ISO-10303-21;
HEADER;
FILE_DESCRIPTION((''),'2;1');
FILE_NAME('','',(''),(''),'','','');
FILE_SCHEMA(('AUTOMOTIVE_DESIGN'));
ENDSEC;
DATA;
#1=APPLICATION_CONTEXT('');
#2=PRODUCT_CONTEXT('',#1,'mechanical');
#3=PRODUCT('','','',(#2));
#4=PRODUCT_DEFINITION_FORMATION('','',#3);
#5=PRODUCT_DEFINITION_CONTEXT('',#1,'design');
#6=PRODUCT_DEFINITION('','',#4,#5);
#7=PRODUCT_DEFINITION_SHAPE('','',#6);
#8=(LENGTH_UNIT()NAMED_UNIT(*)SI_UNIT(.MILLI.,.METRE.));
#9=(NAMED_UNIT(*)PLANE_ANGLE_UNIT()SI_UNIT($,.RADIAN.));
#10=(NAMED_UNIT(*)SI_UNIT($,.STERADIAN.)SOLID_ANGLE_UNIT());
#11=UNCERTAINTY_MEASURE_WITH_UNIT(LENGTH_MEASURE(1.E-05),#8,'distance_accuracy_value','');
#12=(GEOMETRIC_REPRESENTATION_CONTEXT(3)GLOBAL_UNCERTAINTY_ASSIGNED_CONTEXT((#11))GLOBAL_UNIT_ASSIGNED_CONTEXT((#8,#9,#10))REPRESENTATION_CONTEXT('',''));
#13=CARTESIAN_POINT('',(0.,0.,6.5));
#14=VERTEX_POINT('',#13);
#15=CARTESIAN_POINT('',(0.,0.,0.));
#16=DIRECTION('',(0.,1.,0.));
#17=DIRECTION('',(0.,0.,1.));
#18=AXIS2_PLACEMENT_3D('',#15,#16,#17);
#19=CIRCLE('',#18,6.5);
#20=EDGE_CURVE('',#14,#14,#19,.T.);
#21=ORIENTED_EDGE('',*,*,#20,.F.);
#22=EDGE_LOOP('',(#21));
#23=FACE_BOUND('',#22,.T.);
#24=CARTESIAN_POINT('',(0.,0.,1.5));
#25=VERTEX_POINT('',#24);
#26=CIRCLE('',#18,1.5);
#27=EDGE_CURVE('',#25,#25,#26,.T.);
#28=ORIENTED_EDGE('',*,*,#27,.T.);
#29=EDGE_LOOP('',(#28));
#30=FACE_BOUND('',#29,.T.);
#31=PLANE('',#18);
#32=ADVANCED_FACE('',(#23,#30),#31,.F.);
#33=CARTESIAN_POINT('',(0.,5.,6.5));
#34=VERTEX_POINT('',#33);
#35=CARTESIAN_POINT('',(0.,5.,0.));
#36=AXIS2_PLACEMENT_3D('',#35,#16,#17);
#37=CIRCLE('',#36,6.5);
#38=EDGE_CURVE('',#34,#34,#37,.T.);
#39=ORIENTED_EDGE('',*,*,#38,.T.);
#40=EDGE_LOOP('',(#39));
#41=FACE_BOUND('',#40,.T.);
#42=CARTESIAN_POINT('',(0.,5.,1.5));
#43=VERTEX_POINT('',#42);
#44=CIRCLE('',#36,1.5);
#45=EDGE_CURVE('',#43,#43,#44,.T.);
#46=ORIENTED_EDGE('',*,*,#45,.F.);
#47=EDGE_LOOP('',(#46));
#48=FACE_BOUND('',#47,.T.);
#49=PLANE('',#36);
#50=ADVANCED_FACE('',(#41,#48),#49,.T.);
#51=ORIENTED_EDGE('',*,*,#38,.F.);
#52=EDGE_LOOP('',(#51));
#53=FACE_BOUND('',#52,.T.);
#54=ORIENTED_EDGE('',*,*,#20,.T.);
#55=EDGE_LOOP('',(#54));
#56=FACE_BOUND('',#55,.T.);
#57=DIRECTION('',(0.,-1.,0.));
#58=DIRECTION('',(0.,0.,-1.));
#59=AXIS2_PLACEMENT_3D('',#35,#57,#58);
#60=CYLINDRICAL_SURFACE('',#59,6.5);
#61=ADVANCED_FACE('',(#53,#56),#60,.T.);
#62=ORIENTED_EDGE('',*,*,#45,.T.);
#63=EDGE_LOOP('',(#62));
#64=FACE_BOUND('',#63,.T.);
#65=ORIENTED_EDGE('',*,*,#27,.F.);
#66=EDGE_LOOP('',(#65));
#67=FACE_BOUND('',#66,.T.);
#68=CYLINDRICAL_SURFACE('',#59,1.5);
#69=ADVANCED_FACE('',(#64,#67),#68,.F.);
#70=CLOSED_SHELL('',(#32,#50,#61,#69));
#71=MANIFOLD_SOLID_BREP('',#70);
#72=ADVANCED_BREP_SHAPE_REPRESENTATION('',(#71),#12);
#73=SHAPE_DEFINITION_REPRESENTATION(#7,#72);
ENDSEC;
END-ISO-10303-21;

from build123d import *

# Parameters (mm, degrees)
SKETCH1_R           = 6.5
SKETCH1_R_2         = 1.5
BOSS_EXTRUDE1_DEPTH = 5


with BuildPart() as part:
    # Sketch1 → Boss-Extrude1 (new body)
    with BuildSketch(Plane(origin=(0, 0, 0), x_dir=(1, 0, 0), z_dir=(0, 1, 0))):
        Circle(SKETCH1_R)
        Circle(SKETCH1_R_2, mode=Mode.SUBTRACT)
    extrude(amount=BOSS_EXTRUDE1_DEPTH)


solid = part.part
